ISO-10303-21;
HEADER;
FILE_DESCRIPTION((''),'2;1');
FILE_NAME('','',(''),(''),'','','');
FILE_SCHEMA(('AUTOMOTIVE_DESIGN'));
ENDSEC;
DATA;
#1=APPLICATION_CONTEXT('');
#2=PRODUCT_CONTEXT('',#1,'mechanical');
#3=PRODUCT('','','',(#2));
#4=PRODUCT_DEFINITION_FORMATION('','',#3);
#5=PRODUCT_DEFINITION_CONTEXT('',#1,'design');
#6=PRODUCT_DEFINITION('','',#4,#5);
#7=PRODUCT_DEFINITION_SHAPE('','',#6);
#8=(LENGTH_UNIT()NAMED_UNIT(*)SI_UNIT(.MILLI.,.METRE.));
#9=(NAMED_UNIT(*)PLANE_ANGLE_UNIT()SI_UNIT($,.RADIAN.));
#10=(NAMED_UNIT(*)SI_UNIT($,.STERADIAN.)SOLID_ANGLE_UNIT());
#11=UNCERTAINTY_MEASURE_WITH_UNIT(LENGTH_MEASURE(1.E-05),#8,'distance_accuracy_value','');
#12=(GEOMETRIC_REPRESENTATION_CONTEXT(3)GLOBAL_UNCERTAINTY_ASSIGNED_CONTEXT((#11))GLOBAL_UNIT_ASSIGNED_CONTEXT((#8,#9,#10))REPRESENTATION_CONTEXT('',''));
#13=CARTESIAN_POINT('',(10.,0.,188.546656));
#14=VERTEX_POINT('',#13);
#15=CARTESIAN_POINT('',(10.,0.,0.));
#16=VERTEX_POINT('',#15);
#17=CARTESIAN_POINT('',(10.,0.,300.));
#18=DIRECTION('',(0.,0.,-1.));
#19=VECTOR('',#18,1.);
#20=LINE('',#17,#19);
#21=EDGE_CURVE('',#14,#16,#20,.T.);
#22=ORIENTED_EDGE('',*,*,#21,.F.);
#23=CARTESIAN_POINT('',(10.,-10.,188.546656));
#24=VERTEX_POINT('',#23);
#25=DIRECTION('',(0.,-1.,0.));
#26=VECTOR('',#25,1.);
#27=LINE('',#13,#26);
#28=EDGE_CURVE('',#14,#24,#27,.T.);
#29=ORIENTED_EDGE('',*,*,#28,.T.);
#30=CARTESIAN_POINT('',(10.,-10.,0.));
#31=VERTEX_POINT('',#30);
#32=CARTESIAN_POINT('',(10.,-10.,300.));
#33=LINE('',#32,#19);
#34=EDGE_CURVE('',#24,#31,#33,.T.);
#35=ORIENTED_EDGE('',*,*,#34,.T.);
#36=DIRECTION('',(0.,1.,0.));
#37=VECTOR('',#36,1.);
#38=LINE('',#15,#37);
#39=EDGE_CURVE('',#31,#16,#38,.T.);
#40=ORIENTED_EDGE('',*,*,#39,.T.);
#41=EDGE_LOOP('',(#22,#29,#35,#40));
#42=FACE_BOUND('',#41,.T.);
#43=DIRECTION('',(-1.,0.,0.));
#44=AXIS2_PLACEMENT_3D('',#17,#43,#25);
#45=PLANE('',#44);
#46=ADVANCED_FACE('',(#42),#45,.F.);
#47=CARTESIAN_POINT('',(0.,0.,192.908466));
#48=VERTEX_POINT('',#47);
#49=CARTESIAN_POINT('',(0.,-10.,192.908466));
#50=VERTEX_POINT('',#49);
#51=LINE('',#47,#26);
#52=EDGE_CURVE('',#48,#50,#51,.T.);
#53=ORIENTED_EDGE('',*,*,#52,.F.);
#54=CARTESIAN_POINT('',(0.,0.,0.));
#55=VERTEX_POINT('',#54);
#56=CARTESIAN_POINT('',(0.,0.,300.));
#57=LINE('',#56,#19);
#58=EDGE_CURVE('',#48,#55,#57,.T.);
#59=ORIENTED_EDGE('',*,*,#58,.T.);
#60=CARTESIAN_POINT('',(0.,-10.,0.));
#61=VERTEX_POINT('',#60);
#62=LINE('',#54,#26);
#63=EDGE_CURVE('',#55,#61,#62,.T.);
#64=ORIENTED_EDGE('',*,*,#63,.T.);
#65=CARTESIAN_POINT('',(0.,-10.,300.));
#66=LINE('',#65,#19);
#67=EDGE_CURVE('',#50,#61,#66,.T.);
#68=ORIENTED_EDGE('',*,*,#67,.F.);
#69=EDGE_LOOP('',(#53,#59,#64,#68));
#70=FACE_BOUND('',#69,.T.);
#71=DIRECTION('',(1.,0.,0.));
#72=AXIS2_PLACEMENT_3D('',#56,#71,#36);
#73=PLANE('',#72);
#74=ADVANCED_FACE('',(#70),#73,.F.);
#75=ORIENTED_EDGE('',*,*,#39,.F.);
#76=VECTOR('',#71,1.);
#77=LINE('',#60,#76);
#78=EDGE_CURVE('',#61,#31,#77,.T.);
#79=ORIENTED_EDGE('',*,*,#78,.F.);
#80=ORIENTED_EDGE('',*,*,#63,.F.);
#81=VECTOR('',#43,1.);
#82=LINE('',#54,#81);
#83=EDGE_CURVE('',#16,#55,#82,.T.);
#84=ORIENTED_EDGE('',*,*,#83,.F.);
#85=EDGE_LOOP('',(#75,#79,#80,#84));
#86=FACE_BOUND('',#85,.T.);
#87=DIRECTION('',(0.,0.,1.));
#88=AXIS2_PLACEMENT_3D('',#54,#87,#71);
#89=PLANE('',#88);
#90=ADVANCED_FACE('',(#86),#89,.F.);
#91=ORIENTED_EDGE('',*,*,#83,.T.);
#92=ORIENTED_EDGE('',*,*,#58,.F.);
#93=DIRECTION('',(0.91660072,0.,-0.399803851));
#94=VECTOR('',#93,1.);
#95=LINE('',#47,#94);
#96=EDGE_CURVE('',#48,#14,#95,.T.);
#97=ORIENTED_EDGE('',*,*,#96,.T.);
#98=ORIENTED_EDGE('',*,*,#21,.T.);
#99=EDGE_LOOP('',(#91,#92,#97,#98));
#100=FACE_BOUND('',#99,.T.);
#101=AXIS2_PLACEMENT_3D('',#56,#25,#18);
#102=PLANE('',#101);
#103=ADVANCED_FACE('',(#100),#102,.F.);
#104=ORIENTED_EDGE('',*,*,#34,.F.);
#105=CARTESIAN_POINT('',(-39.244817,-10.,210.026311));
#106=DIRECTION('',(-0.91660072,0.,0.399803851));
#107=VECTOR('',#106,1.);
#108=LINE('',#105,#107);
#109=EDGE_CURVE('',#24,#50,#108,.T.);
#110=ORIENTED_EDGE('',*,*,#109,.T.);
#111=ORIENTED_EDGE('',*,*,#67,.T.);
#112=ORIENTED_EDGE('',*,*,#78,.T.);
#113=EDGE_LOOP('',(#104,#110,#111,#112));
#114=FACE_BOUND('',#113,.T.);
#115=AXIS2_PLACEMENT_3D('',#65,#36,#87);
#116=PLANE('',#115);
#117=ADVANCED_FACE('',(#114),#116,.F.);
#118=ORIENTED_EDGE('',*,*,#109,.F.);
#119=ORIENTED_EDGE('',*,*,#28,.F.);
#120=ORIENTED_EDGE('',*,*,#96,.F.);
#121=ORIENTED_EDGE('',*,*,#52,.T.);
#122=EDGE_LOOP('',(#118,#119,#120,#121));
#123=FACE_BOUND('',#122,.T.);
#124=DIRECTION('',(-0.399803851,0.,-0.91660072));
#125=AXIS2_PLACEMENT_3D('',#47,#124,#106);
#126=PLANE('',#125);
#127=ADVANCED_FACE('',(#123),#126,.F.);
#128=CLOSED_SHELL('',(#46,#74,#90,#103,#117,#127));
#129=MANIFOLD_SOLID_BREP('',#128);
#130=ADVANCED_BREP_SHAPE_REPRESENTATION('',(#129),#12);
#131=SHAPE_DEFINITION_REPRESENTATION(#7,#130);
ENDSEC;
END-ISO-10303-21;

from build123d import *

# Parameters (mm, degrees)
SKETCH1_W               = 10
SKETCH1_H               = 10
BOSS_EXTRUDE1_DEPTH     = 300
CUT_EXTRUDE1_DEPTH      = 301.333148354
CUT_EXTRUDE1_DEPTH_BACK = 301.333148354


with BuildPart() as part:
    # Sketch1 → Boss-Extrude1 (new body)
    with BuildSketch(Plane.XY):
        with Locations((5, -5)):
            Rectangle(SKETCH1_W, SKETCH1_H)
    extrude(amount=BOSS_EXTRUDE1_DEPTH)

    # Sketch2 → Cut-Extrude1 (cut, two sides: drawn at the far end of the back side and taken through both)
    with BuildSketch(Plane.XZ.offset(10).offset(-CUT_EXTRUDE1_DEPTH_BACK)):
        Polygon((0, 192.908466216), (10, 188.546655864), (10, 300), (0, 300), align=None)
    extrude(amount=CUT_EXTRUDE1_DEPTH + CUT_EXTRUDE1_DEPTH_BACK, mode=Mode.SUBTRACT)


solid = part.part
